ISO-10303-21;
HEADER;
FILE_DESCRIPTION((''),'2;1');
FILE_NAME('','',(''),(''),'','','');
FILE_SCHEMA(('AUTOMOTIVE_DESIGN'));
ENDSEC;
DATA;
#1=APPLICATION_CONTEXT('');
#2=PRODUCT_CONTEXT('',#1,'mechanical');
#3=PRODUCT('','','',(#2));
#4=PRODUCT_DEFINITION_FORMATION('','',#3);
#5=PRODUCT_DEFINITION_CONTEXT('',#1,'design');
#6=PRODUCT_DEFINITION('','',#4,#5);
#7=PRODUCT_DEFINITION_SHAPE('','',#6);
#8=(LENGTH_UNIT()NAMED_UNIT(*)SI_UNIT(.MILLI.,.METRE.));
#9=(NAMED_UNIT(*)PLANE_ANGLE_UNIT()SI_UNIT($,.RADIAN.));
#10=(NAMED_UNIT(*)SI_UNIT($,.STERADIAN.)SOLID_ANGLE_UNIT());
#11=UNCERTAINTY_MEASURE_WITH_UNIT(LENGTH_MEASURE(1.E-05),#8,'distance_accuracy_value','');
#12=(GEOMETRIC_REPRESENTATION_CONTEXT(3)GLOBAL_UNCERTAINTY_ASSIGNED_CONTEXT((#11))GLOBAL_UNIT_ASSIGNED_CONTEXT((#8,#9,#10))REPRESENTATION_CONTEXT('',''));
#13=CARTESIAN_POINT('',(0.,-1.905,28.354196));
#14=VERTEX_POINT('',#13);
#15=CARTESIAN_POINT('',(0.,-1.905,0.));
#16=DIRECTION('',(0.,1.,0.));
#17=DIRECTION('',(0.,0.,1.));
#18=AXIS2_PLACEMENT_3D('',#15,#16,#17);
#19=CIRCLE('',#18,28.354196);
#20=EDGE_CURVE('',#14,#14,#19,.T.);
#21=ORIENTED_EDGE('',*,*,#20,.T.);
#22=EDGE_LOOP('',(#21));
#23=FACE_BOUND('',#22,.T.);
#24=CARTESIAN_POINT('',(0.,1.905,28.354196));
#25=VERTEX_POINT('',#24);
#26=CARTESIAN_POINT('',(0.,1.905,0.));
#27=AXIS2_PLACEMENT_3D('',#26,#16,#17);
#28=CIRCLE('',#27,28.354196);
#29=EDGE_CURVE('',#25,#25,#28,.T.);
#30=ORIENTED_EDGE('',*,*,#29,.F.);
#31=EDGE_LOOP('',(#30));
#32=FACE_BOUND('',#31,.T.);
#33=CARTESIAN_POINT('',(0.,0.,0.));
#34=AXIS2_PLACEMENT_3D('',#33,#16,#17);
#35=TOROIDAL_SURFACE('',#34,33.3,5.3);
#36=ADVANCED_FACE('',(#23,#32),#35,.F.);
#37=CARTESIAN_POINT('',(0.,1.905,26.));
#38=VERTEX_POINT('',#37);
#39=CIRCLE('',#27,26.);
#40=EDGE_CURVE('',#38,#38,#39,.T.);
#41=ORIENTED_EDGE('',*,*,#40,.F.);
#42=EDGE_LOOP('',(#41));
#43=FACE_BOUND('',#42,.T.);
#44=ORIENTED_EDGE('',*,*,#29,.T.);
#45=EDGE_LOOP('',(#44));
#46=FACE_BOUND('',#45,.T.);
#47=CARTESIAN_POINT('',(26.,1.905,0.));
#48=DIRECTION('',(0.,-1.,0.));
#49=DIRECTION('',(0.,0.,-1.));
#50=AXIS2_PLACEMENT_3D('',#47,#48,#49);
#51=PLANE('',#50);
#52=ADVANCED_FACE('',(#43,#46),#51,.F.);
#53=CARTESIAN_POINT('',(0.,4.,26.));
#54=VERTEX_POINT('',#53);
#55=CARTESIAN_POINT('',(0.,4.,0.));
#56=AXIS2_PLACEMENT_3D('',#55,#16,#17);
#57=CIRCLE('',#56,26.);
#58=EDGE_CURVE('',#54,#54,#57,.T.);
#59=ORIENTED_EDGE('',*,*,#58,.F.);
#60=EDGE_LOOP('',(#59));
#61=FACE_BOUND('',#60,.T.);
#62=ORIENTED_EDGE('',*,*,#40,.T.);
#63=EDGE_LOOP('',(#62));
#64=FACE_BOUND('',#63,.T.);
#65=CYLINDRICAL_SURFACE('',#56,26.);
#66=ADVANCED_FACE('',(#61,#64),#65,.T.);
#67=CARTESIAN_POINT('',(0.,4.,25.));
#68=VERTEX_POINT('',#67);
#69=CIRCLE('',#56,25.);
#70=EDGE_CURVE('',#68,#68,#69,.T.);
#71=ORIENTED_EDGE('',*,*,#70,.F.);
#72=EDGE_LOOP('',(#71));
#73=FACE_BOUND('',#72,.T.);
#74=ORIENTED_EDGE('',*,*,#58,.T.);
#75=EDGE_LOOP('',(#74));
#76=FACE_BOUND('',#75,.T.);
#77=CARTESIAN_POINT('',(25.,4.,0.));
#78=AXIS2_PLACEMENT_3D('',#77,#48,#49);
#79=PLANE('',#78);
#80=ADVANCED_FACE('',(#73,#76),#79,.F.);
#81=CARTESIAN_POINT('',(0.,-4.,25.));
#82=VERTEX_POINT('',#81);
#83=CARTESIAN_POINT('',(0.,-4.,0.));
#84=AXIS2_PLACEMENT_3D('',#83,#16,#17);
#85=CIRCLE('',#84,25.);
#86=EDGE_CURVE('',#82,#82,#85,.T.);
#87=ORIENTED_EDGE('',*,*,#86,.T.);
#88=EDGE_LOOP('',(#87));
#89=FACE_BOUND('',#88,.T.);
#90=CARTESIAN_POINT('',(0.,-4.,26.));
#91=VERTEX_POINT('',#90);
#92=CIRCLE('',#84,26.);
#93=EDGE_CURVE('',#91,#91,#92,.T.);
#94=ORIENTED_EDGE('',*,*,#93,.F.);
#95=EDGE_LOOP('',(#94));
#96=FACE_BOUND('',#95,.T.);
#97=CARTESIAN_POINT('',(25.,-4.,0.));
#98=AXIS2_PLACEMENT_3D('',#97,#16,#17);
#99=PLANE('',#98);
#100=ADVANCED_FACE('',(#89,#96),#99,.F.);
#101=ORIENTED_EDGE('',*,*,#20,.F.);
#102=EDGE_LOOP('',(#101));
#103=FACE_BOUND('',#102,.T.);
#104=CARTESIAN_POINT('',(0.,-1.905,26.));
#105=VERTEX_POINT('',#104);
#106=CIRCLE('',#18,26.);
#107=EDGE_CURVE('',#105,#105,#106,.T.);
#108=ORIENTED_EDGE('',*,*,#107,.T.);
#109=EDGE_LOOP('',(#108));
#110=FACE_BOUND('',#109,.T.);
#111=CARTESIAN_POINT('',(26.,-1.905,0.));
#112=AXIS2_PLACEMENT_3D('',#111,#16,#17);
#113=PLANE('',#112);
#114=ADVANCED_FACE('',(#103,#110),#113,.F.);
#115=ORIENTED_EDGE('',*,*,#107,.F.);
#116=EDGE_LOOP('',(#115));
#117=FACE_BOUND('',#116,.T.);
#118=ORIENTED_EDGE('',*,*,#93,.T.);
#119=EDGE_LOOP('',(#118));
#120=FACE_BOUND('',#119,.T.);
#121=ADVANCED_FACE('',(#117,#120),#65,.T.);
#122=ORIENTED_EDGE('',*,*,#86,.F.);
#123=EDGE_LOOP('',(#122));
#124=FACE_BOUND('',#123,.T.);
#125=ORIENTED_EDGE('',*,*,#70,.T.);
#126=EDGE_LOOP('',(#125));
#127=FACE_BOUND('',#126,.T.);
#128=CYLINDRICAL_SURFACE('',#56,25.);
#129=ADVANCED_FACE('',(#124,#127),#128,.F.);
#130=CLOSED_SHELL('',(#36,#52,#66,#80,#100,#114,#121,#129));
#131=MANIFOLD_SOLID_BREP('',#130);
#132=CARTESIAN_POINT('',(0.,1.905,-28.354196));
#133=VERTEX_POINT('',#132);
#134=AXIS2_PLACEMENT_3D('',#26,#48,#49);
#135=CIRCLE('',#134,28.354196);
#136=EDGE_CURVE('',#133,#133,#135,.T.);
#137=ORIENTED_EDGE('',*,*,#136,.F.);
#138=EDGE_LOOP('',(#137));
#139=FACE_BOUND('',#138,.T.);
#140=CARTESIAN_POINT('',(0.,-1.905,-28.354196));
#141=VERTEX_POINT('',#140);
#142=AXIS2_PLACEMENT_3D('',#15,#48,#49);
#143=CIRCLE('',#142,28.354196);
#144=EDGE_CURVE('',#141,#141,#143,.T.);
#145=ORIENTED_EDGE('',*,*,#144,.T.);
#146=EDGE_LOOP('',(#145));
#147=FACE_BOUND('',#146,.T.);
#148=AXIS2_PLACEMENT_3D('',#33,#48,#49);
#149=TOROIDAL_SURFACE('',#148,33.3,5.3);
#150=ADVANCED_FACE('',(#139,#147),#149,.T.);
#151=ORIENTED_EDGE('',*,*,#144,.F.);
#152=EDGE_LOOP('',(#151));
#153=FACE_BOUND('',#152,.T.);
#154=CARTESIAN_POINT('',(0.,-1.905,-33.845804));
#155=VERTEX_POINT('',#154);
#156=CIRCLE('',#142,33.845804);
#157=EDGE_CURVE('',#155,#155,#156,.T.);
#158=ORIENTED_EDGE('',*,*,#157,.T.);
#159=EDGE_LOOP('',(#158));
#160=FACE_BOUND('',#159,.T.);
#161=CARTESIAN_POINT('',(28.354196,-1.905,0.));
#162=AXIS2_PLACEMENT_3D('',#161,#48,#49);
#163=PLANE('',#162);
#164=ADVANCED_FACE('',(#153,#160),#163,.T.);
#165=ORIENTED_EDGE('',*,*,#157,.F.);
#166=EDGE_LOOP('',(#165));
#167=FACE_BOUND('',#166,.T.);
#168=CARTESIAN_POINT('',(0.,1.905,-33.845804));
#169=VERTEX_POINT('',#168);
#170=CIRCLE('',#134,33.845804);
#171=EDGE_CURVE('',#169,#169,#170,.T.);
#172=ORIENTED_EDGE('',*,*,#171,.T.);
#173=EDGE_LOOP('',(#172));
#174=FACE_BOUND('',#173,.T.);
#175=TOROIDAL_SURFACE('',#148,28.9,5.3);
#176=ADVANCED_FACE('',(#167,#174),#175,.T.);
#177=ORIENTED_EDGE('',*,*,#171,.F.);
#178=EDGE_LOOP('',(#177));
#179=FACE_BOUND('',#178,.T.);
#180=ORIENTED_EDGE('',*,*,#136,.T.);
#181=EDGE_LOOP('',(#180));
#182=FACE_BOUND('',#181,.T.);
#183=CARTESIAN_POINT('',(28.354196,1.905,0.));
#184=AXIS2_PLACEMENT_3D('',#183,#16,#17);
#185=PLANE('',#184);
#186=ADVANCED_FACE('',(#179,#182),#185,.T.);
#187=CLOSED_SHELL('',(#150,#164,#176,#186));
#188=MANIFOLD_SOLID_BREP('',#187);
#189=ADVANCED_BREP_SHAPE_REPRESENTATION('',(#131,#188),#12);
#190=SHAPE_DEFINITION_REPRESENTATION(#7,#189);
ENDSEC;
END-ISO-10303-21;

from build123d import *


with BuildPart() as part:
    # Sketch1 → Revolve1 (revolve)
    with BuildSketch(Plane.XY):
        with BuildLine():
            Line((25, 4), (25, -4))
            Line((25, -4), (26, -4))
            Line((26, -4), (26, -1.905))
            Line((26, -1.905), (28.354196223, -1.905))
            ThreePointArc((28.354196223, -1.905), (28, 0), (28.354196223, 1.905))
            Line((28.354196223, 1.905), (26, 1.905))
            Line((26, 1.905), (26, 4))
            Line((26, 4), (25, 4))
        make_face()
    revolve(axis=Axis((0, 4, 0), (0, -1, 0)))


with BuildPart() as body_2:
    # Sketch2 → Revolve2 (revolve)
    with BuildSketch(Plane.XY):
        with BuildLine():
            Line((28.354196223, 1.905), (33.845803777, 1.905))
            ThreePointArc((33.845803777, 1.905), (34.2, 0), (33.845803777, -1.905))
            Line((33.845803777, -1.905), (28.354196223, -1.905))
            ThreePointArc((28.354196223, -1.905), (28, 0), (28.354196223, 1.905))
        make_face()
    revolve(axis=Axis((0, -4, 0), (0, 1, 0)))


solid = Compound([part.part, body_2.part])
